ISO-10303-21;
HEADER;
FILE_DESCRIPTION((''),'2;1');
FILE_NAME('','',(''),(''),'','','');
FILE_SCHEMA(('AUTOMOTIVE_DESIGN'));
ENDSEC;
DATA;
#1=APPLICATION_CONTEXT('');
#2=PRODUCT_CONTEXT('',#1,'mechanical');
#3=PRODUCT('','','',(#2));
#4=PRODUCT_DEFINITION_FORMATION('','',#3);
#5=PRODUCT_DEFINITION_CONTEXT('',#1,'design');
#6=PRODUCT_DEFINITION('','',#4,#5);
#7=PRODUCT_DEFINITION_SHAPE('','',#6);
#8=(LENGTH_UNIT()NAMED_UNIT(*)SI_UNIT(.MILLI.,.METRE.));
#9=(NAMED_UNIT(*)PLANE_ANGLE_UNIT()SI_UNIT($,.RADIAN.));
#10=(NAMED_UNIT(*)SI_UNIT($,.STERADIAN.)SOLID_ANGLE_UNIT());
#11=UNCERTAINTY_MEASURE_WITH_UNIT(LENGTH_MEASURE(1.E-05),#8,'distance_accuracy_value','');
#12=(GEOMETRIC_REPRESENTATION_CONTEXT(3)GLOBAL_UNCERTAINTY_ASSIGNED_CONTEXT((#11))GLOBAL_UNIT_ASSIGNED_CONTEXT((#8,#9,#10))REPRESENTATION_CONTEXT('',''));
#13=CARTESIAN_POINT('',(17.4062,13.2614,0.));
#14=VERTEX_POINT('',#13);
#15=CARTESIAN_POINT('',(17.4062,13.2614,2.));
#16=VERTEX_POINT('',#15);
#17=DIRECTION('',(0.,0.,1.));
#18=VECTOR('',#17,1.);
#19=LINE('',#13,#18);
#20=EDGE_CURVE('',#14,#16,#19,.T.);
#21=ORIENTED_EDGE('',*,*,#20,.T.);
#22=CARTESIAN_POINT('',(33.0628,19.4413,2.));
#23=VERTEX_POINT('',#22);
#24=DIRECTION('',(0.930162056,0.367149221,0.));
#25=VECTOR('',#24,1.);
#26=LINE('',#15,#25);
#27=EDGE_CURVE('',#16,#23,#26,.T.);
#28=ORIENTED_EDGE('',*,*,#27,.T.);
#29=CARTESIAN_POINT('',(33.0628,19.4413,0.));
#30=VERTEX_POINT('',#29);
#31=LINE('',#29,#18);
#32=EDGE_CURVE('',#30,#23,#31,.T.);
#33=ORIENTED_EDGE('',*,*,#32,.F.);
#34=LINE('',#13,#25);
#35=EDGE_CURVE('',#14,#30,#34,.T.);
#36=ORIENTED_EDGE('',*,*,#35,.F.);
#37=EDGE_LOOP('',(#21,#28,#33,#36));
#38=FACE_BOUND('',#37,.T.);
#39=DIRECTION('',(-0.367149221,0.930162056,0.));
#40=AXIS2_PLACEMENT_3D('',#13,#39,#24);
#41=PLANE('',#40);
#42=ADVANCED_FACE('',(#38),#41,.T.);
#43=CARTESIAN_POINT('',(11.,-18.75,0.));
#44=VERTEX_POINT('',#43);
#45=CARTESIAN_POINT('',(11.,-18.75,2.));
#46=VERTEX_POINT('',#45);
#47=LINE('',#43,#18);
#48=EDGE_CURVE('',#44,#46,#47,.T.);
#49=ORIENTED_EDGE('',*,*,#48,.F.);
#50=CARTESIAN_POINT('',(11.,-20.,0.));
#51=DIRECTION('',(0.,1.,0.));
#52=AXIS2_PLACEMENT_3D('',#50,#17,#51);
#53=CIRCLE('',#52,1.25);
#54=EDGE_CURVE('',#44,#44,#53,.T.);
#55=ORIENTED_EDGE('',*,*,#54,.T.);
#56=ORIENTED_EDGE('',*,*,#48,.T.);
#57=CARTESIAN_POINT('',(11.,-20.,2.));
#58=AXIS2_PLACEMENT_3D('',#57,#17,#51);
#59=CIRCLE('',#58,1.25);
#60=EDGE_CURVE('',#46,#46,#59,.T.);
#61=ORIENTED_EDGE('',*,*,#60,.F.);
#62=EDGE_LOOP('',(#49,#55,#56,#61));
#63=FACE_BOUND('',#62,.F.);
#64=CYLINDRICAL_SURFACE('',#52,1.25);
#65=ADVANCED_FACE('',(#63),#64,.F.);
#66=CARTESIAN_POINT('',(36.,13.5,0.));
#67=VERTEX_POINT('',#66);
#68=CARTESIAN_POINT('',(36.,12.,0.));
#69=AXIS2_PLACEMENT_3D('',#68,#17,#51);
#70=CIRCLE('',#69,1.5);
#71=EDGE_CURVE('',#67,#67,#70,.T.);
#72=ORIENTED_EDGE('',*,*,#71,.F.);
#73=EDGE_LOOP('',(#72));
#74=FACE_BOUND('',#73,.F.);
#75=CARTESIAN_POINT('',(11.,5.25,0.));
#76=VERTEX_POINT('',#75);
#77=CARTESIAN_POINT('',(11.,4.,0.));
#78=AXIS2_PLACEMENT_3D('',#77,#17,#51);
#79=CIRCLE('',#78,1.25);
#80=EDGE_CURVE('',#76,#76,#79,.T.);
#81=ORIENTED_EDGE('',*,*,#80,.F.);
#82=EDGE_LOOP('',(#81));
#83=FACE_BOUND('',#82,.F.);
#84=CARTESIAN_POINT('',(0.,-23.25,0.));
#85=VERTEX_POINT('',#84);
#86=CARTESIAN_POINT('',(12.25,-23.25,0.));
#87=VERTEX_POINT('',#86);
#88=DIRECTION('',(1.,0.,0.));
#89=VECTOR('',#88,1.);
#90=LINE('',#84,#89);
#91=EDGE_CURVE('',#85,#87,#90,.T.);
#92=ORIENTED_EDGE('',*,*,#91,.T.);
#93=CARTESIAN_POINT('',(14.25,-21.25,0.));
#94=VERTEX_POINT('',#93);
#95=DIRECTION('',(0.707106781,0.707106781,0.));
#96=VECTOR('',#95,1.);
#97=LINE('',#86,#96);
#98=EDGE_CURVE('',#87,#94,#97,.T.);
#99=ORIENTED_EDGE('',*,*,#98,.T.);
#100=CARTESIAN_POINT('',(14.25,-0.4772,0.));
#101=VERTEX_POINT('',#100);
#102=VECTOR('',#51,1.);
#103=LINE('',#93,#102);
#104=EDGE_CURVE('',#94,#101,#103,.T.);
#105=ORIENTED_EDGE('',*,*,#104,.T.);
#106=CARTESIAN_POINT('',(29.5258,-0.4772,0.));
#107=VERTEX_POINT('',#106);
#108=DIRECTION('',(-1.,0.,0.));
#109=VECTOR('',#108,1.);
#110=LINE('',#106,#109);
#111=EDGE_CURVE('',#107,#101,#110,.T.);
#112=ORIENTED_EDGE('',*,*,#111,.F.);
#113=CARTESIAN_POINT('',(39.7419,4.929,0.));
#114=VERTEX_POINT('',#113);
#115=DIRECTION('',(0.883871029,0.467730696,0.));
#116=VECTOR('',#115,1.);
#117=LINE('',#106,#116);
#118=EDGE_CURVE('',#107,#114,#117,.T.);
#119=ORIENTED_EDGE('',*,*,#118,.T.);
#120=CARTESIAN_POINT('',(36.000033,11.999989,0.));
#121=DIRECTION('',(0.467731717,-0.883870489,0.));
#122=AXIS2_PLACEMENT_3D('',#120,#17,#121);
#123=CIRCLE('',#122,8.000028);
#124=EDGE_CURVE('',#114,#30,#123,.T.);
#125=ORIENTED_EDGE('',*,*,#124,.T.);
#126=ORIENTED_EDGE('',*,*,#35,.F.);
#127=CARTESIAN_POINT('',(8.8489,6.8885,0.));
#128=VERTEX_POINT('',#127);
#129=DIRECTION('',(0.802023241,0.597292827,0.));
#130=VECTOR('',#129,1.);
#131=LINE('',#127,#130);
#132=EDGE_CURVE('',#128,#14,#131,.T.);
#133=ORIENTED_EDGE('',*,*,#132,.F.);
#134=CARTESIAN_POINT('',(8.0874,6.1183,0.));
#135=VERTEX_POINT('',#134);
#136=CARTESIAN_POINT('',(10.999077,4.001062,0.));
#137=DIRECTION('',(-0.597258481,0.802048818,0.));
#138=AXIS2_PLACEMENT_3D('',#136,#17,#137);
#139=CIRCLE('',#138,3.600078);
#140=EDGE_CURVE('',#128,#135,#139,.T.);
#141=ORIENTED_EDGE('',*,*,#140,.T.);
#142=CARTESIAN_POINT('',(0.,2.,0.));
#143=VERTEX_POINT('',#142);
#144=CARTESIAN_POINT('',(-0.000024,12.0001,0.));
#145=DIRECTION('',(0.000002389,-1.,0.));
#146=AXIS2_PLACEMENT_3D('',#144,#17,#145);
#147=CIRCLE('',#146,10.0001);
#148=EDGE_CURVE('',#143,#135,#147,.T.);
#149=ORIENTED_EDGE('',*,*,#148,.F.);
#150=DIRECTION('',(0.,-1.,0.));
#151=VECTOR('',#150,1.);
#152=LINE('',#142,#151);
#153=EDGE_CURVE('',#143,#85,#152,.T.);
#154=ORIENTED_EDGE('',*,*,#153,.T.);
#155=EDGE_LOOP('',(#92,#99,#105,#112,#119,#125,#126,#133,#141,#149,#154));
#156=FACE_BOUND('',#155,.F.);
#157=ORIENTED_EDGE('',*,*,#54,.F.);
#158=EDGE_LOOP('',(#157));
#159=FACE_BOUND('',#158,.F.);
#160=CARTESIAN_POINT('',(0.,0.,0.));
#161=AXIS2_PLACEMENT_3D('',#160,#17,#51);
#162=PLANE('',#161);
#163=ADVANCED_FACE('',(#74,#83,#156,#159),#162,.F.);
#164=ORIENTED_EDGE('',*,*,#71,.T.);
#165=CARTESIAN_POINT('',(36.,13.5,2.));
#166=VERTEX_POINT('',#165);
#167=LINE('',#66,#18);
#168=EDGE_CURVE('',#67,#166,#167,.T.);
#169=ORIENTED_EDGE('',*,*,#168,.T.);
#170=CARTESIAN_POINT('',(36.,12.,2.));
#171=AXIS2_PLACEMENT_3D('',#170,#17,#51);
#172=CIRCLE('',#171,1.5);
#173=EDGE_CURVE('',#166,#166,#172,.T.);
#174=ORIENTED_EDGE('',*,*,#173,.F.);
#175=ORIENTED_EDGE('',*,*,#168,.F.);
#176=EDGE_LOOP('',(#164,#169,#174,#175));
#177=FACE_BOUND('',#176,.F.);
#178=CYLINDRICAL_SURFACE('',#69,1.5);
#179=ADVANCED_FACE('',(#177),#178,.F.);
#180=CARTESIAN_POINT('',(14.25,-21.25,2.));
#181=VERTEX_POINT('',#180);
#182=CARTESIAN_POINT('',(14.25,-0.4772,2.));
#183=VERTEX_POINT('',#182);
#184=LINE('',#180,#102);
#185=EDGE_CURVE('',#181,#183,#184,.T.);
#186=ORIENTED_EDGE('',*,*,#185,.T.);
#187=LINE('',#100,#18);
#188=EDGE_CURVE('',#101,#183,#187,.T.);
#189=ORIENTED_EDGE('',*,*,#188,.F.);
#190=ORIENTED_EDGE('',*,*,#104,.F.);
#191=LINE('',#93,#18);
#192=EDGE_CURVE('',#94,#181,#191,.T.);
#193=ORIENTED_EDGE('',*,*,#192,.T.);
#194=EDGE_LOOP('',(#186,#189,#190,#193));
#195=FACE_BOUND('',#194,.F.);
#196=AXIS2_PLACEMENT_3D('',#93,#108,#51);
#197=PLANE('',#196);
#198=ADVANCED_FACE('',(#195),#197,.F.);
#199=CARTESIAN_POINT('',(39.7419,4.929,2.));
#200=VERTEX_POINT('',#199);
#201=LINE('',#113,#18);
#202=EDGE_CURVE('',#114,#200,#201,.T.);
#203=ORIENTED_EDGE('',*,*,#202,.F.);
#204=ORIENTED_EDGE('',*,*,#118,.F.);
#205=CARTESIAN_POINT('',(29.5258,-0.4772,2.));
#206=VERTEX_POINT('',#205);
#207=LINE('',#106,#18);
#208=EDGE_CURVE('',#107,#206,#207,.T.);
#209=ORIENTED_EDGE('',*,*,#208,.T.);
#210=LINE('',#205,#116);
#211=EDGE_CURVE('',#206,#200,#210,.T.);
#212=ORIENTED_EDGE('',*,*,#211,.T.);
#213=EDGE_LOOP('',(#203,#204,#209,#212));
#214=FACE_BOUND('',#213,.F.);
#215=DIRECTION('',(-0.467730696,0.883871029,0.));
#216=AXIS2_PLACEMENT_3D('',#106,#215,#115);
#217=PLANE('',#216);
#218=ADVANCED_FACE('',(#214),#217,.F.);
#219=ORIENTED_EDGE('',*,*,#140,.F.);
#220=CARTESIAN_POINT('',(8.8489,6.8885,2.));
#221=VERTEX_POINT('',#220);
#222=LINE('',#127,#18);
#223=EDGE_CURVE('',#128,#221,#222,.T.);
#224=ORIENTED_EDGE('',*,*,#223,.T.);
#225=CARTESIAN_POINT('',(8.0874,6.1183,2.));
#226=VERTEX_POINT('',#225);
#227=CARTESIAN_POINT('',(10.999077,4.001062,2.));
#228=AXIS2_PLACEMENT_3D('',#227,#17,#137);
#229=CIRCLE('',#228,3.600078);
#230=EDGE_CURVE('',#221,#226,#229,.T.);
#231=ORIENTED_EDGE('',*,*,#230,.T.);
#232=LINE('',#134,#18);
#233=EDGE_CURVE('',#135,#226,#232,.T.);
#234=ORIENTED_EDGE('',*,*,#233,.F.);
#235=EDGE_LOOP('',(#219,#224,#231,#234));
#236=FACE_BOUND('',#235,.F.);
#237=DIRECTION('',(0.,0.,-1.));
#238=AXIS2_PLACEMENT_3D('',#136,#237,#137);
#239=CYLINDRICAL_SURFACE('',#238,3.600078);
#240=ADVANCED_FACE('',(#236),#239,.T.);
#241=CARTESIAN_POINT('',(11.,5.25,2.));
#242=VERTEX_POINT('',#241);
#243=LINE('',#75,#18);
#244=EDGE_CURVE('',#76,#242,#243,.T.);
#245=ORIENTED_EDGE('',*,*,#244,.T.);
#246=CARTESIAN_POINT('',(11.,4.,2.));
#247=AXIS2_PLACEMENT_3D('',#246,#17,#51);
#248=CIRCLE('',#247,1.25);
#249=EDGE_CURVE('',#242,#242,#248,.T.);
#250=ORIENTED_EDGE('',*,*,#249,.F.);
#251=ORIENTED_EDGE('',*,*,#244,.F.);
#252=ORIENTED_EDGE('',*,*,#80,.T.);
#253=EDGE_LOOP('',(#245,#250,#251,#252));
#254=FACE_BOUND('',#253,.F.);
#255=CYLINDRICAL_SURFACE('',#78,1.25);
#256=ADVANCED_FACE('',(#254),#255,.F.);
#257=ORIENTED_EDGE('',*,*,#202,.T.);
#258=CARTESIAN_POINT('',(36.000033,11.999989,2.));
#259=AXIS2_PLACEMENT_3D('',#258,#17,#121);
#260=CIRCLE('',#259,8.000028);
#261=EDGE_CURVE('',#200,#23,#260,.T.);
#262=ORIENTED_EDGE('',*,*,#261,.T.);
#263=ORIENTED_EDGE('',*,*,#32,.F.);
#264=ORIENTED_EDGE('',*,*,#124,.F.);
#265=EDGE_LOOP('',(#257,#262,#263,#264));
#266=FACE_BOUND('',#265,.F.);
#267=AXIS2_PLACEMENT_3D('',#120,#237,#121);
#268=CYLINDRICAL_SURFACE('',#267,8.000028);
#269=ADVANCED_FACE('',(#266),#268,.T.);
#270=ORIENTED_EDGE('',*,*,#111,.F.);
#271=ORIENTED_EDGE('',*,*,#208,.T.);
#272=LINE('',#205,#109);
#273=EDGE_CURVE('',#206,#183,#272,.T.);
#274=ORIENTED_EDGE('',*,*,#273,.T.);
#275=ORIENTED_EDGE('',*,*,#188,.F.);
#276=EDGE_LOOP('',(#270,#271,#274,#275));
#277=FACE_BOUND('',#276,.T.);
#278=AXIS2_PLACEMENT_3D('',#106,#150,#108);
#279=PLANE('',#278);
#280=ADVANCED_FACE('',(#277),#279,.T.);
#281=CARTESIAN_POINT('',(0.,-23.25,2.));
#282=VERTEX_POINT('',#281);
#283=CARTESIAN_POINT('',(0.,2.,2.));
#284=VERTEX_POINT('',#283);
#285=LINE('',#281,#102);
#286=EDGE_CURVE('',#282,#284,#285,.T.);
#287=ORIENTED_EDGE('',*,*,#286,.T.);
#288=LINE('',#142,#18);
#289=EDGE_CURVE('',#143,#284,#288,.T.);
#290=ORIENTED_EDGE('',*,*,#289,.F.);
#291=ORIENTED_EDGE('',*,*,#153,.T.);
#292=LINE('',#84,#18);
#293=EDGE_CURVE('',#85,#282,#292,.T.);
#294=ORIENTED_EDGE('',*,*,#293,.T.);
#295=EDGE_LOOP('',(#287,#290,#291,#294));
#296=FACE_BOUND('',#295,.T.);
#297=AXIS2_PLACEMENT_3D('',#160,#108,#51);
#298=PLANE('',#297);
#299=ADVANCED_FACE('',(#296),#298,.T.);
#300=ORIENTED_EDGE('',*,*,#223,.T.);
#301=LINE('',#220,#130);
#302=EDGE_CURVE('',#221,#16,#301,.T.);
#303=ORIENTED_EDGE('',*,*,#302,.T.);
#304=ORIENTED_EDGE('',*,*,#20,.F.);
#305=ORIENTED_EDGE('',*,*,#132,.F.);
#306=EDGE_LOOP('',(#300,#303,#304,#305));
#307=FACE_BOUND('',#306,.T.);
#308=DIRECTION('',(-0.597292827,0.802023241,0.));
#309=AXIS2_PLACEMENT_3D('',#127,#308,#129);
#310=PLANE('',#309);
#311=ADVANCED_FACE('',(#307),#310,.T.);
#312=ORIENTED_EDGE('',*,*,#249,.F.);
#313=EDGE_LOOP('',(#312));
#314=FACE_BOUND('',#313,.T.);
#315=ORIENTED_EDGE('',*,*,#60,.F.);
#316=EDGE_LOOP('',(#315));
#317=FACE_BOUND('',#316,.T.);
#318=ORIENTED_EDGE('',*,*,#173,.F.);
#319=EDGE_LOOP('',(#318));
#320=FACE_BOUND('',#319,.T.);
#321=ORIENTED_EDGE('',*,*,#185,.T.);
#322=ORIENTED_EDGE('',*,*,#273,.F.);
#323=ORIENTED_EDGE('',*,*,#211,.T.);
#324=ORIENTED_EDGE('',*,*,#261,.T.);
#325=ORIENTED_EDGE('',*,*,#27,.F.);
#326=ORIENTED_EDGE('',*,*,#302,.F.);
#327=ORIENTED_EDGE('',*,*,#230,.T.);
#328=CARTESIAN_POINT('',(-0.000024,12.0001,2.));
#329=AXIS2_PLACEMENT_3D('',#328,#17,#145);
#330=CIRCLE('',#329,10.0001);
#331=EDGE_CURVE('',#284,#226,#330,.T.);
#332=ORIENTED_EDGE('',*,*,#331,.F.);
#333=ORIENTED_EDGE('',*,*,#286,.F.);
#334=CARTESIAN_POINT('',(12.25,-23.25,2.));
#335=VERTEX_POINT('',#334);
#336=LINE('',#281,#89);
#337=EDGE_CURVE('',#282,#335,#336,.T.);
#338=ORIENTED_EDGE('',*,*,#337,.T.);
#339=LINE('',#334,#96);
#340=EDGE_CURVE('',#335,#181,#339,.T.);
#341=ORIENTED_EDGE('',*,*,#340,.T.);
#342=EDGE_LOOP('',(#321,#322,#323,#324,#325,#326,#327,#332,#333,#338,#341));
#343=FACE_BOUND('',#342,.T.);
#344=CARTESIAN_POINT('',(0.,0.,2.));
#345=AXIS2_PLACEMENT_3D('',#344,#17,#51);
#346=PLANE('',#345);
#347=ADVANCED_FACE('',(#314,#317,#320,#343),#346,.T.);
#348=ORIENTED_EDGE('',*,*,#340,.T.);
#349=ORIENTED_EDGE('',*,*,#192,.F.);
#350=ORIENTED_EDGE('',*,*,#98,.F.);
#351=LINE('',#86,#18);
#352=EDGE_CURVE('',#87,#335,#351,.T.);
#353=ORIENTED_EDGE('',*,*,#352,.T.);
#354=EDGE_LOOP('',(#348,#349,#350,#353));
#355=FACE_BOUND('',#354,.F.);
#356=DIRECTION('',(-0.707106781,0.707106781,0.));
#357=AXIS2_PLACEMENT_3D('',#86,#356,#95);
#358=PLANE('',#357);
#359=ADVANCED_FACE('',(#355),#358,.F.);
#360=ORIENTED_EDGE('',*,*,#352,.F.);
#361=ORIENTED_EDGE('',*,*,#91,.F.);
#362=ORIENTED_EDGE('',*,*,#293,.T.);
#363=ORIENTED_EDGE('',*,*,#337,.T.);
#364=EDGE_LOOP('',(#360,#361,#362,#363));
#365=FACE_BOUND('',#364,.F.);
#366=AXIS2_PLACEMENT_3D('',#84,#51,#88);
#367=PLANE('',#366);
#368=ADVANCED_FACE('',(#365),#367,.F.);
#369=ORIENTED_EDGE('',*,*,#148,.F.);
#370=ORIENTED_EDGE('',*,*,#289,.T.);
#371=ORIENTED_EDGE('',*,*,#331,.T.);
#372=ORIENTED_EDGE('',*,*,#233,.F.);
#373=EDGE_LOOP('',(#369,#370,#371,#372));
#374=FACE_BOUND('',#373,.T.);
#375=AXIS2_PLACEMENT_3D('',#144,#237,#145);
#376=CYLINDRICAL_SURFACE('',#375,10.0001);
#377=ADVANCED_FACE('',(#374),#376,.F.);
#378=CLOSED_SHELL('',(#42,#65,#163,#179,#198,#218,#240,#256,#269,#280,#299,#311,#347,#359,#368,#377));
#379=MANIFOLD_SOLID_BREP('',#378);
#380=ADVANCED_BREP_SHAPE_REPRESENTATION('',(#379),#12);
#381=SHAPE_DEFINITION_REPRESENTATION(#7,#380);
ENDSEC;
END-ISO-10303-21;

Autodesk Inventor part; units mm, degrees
ref_plane "YZ Plane" through (0, 0, 0) normal (1, 0, 0) x (0, 1, 0)
ref_plane "XZ Plane" through (0, 0, 0) normal (0, 1, 0) x (-1, 0, 0)
ref_plane "XY Plane" through (0, 0, 0) normal (0, 0, 1) x (1, 0, 0)
sketch "スケッチ1" plane through (0, 0, 0) normal (0, 0, 1) x (0, 1, 0)
  circle A0 centre (12, 0) radius 4 construction
  arc A1 (2, 0) -> (6.1183, -8.0874) centre (12, 0) ccw
  arc A2 (6.8885, -8.8489) -> (6.1183, -8.0874) centre (4, -11) ccw
  line L0 (-23.25, 12.25) -> (-23.25, -12.25) construction
  line L1 (-23.25, -12.25) -> (-21.25, -14.25) construction
  line L2 (-21.25, -14.25) -> (21.25, -14.25) construction
  line L3 (0, 0) -> (2, 0)
  line L4 (0, 0) -> (-23.25, 0)
  line L5 (-23.25, 0) -> (-23.25, -12.25)
  line L6 (-23.25, -12.25) -> (-21.25, -14.25)
  line L7 (-0.4772, -29.5258) -> (4.929, -39.7419)
  line L8 (6.8885, -8.8489) -> (13.2614, -17.4062)
  line L9 (13.2614, -17.4062) -> (19.4413, -33.0628)
  line L10 (2, 0) -> (12, 0) construction
  circle A3 centre (4, -11) radius 1.25 construction
  arc A4 (4.929, -39.7419) -> (19.4413, -33.0628) centre (12, -36) ccw
  circle A5 centre (-20, -11) radius 1.25 construction
  line L11 (12, 0) -> (12, -36) construction
  line L12 (-21.25, -14.25) -> (-0.4772, -14.25)
  line L13 (-0.4772, -29.5258) -> (-0.4772, -14.25)
  dimension "d0" = 10
  dimension "d3" = 36
  dimension "d4" = 8
extrude "押し出し1" add sketch "スケッチ1" along normal blind 2
hole "穴1" at (36, 12, 0) direction (0, 0, 1) diameter 3 end through all
hole "穴2" at (11, 4, 0) at (11, -20, 0) direction (0, 0, 1) diameter 2.5 end through all
properties part number "HIP_TOPFRAME2"
